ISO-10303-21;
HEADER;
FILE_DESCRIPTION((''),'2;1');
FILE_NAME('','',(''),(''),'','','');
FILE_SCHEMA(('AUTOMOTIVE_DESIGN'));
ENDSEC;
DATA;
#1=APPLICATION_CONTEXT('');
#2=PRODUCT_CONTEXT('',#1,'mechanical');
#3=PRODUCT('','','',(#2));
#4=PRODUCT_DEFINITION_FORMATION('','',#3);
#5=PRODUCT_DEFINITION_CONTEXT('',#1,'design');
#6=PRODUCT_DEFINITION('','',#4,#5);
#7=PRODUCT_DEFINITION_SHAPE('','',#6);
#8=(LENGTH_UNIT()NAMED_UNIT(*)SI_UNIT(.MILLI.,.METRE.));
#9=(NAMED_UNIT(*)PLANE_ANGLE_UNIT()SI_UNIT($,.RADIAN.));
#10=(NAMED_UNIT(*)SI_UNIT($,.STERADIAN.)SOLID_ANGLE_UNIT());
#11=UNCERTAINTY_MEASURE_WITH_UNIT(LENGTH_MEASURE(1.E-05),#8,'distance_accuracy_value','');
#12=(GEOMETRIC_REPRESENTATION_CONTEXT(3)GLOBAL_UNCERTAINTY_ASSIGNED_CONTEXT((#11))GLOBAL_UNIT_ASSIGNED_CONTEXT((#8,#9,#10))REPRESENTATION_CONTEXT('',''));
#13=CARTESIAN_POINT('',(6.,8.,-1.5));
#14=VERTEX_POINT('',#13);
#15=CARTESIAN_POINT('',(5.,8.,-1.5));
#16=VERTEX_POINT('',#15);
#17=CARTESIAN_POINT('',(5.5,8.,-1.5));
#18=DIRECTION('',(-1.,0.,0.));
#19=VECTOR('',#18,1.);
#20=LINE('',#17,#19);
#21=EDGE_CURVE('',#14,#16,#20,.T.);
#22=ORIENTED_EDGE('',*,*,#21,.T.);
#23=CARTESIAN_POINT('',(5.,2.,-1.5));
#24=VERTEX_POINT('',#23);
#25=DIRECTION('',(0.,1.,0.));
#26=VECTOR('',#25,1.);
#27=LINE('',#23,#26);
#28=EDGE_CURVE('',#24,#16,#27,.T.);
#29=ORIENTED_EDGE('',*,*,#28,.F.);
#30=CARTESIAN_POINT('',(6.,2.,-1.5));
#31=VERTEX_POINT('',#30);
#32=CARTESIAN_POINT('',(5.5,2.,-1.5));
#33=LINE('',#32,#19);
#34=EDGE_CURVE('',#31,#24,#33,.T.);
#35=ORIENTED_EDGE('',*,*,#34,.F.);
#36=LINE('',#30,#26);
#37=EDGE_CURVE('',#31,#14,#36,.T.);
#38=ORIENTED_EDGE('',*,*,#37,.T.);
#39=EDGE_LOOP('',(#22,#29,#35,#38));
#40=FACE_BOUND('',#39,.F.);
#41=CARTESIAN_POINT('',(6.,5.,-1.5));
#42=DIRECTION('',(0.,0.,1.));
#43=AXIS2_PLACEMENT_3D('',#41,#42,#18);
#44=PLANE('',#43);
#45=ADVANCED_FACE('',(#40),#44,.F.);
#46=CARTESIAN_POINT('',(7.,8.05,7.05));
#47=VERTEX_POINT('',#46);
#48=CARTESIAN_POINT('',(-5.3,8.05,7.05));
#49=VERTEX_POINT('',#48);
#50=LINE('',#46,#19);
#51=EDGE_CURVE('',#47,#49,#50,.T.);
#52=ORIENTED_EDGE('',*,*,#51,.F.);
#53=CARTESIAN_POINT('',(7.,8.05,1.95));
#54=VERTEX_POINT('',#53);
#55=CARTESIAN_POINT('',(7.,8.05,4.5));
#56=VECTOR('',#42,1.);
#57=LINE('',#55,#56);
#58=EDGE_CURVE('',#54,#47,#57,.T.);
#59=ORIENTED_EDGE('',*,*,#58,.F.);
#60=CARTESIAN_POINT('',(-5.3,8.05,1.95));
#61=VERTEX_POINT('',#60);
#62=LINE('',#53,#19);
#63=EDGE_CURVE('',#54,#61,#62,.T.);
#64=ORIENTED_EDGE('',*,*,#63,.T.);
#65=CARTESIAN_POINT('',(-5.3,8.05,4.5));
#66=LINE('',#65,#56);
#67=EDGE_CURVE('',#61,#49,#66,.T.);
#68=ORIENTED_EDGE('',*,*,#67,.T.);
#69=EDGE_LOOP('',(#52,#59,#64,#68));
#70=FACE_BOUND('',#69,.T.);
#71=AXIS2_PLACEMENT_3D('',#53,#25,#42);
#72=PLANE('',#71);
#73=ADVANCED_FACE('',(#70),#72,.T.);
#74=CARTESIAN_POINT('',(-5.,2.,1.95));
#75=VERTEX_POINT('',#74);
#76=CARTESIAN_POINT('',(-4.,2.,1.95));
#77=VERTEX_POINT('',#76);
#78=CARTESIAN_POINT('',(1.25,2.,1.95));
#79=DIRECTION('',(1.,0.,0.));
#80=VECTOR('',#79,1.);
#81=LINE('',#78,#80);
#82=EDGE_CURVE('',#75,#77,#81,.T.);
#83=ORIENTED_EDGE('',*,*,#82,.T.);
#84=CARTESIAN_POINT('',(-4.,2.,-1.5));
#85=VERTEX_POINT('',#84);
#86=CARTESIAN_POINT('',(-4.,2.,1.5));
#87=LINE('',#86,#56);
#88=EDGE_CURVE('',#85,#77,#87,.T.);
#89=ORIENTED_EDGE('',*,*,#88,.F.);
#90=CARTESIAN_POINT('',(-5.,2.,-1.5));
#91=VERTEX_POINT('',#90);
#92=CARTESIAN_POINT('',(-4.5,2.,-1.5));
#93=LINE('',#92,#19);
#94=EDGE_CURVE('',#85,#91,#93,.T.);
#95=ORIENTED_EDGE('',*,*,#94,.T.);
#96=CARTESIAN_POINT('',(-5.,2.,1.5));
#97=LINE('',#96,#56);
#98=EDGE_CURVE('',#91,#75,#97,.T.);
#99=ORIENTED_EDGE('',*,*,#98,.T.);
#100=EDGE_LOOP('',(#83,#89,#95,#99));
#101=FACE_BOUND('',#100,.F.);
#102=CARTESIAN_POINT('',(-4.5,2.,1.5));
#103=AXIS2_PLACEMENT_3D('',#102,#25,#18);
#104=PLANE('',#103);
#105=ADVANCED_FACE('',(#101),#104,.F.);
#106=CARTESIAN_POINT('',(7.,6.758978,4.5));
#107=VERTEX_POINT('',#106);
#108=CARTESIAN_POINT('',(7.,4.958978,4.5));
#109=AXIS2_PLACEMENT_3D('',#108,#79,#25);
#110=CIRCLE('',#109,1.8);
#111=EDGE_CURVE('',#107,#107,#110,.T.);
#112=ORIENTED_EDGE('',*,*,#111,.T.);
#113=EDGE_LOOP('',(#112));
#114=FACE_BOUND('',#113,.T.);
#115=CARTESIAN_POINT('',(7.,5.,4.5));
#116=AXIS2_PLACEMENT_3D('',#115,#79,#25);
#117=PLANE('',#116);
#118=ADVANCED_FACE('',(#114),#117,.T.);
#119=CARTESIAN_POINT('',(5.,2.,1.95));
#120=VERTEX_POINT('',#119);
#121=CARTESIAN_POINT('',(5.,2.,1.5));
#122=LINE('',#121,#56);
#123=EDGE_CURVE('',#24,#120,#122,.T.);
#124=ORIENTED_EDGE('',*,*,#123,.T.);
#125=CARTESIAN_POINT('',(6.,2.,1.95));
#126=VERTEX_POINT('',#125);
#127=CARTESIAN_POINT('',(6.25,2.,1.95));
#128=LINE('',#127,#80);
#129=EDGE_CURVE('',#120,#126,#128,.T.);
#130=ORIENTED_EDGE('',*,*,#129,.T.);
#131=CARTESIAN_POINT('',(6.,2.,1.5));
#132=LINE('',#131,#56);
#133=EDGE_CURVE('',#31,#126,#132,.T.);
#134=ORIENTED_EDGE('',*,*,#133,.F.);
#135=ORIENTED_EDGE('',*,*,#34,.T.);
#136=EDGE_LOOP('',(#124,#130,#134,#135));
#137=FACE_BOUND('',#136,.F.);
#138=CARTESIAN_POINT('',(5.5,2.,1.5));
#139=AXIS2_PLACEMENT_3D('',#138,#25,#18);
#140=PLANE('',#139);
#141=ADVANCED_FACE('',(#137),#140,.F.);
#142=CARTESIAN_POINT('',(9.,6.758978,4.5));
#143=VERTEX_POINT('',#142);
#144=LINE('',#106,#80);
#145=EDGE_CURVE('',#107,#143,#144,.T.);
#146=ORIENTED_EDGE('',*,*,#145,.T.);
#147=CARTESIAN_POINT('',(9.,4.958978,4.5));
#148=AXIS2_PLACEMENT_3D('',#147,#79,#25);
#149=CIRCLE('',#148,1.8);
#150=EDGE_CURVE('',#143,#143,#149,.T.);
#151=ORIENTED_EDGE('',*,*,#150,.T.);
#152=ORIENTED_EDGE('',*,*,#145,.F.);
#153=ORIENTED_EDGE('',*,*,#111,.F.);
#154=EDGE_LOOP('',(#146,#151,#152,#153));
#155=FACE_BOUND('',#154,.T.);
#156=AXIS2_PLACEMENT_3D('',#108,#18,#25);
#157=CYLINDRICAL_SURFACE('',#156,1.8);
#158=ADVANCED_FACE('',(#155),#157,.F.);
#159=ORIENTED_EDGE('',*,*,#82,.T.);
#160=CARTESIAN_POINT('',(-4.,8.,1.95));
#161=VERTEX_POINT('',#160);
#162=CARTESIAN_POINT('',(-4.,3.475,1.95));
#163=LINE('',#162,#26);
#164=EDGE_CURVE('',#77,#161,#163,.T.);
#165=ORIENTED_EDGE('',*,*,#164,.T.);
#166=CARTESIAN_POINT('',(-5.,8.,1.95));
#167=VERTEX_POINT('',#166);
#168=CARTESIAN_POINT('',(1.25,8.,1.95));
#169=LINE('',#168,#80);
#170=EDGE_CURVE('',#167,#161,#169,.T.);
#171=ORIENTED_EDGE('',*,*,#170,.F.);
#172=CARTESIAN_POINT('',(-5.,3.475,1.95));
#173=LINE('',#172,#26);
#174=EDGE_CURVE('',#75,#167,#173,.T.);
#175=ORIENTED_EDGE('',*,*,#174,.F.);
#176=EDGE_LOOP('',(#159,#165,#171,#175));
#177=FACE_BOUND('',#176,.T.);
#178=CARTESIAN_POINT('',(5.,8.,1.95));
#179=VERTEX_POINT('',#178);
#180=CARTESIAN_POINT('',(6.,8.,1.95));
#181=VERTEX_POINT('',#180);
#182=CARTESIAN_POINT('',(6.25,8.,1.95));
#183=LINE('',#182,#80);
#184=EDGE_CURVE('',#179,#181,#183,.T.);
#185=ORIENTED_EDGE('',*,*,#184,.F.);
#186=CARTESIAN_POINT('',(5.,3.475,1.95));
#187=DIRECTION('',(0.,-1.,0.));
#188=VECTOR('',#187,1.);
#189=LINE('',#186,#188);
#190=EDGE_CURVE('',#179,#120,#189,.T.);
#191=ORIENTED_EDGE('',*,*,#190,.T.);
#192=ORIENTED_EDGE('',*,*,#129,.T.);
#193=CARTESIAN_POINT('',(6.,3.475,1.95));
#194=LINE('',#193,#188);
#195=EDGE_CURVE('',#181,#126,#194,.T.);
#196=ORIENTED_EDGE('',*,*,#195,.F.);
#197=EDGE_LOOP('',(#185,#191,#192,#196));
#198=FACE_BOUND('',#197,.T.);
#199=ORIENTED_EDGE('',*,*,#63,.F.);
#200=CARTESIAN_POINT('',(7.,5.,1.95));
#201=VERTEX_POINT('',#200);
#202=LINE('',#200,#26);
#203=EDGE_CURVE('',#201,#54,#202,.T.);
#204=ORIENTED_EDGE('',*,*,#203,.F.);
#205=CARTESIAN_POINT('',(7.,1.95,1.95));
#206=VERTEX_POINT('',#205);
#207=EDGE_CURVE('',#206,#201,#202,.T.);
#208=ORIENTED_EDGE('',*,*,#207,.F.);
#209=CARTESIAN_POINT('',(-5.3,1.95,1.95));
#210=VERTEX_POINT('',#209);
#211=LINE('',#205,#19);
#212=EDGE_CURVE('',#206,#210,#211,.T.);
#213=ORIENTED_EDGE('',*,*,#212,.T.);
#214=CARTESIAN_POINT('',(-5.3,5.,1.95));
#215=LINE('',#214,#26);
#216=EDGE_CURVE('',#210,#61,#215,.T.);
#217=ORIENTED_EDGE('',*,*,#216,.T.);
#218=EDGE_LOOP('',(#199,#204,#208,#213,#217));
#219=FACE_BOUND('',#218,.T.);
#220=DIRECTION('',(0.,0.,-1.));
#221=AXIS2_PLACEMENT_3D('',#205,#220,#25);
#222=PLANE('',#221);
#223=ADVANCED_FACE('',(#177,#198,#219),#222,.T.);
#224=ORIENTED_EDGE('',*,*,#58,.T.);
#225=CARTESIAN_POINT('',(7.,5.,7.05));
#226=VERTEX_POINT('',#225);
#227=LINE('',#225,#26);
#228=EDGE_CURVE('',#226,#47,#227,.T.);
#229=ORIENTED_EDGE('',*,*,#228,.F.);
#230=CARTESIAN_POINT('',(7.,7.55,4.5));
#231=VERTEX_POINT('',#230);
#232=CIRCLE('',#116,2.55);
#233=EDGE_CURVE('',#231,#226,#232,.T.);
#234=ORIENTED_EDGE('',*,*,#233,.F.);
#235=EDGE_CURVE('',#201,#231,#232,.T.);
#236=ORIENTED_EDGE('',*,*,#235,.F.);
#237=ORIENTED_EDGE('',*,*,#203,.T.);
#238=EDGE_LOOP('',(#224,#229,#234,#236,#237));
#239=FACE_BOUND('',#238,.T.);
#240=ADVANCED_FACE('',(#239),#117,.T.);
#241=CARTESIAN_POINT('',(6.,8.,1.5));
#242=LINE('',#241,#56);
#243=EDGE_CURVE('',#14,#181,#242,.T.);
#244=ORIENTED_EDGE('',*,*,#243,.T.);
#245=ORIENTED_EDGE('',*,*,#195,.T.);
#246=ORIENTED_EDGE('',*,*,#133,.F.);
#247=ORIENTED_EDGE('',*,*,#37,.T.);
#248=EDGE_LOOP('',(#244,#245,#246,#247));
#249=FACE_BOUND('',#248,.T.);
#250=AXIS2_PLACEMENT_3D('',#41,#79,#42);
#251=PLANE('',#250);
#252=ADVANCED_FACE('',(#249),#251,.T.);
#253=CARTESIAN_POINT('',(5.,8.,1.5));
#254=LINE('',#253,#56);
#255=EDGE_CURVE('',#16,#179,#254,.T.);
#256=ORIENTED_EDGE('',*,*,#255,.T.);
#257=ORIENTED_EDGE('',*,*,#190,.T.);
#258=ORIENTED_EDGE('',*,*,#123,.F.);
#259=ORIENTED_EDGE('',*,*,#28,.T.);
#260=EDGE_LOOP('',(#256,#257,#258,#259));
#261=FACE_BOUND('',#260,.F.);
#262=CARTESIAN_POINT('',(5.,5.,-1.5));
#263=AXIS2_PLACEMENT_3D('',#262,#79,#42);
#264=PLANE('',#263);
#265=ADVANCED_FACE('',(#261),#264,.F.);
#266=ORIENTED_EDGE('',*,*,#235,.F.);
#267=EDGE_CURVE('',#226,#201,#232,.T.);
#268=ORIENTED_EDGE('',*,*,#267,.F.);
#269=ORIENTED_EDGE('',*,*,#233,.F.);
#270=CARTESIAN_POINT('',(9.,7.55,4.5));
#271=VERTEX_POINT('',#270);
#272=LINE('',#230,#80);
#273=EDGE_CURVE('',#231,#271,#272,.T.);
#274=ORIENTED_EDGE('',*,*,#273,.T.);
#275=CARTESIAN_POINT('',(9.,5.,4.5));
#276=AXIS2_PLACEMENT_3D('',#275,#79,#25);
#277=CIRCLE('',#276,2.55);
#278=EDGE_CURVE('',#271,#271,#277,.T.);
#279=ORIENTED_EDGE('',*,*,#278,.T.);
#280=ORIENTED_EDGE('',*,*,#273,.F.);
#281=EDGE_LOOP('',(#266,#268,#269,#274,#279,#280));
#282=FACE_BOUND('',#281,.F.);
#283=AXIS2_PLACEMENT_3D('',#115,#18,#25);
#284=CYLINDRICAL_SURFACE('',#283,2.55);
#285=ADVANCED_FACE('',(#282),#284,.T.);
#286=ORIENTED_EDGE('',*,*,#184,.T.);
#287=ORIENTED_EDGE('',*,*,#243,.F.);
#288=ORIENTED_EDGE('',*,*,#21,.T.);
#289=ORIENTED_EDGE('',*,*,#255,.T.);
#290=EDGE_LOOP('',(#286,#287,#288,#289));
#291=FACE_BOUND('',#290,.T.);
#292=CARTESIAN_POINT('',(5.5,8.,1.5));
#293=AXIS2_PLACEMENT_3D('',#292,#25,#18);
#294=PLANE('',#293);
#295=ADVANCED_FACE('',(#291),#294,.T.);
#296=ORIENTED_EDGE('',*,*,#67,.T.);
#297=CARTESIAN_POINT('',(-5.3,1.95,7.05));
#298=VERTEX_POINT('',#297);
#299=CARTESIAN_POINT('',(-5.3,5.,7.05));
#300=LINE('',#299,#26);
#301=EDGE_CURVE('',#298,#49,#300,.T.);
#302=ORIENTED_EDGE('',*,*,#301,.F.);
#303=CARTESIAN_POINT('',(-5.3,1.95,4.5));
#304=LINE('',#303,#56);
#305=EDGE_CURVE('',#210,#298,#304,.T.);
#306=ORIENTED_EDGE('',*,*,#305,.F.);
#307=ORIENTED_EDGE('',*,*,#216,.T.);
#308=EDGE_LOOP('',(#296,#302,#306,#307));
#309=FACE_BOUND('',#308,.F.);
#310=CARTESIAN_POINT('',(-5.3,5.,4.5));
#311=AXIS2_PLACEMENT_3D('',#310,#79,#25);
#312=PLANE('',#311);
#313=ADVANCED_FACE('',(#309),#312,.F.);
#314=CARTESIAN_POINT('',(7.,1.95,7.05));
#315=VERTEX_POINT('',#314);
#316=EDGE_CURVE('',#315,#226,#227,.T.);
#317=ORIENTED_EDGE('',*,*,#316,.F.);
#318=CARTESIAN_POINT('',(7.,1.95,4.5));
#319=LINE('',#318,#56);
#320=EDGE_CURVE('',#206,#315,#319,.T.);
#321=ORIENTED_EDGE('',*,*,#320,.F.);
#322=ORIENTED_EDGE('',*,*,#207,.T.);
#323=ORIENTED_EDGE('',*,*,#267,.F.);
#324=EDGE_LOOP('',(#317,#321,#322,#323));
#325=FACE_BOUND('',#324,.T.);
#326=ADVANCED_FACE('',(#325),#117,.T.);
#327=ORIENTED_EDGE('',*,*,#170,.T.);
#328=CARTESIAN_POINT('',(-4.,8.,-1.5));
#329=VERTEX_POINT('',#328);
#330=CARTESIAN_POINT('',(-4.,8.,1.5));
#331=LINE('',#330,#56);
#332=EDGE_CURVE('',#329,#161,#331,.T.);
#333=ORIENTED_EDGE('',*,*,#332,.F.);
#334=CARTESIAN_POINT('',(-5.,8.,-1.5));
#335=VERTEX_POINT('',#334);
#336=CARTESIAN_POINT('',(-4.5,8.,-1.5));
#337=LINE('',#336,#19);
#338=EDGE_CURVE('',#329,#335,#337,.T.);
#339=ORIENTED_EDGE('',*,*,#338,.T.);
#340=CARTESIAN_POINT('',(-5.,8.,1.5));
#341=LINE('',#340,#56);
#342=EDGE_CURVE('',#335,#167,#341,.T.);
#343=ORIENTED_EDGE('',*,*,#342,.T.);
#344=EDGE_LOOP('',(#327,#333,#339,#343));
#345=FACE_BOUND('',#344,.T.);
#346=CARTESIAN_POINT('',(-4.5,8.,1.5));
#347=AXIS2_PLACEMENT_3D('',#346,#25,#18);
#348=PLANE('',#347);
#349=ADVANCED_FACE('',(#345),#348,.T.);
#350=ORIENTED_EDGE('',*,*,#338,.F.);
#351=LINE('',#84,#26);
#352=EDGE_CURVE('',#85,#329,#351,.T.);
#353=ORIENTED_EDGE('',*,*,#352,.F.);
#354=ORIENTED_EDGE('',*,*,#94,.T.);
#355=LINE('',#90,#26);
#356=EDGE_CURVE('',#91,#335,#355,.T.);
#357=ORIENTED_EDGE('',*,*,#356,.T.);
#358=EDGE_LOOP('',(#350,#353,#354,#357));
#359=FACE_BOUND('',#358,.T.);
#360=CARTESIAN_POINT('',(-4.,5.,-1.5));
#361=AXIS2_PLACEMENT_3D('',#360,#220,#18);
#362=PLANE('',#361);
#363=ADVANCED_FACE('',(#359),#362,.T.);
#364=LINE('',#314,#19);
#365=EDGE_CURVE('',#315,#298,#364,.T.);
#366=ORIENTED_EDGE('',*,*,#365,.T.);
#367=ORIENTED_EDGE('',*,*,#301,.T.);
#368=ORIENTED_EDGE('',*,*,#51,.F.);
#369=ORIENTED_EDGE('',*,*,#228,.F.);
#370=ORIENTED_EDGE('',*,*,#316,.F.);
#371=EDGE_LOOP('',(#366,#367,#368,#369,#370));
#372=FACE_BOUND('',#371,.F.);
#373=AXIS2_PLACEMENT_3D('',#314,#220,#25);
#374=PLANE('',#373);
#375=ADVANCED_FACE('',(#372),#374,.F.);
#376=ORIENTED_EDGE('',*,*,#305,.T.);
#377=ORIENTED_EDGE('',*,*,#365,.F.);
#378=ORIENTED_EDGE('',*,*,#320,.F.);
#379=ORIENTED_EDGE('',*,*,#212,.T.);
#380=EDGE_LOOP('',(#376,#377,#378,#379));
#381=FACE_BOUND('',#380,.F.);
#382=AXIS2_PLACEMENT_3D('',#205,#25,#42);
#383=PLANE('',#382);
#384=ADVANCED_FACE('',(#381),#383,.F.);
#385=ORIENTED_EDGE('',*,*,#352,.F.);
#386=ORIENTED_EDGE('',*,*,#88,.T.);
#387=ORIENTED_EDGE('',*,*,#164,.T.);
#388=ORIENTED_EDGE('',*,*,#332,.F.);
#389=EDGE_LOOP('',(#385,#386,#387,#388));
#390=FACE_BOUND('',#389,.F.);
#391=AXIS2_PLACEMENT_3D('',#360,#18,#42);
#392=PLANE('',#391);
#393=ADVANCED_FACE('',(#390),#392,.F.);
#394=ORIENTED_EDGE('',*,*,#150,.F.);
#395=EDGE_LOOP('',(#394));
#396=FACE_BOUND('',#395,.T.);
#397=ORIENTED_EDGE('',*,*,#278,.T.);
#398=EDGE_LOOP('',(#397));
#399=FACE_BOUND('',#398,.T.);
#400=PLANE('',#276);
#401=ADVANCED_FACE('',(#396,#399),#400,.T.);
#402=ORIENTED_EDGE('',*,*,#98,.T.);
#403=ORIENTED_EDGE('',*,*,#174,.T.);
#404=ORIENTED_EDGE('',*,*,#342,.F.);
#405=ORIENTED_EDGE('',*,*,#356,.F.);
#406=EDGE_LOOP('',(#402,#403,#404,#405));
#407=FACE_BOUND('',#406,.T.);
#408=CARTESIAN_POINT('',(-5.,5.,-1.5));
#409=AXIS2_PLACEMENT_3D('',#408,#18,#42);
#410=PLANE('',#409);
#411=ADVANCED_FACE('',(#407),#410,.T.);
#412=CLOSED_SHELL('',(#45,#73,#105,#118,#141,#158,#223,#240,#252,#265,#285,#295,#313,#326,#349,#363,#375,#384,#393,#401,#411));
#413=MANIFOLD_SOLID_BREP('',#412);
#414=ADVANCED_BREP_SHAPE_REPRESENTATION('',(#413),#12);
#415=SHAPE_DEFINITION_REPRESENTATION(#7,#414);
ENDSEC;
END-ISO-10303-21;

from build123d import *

# Parameters (mm, degrees)
SKETCH005_W             = 6.1
SKETCH005_H             = 5.1
PAD005_DEPTH            = 12.3
SKETCH006_R             = 2.55
SKETCH006_R_2           = 1.8
PAD006_DEPTH            = 2
SKETCH007_W             = 1
SKETCH007_H             = 6
PAD007_DEPTH            = 3
BODY002_PLACEMENT_ANGLE = 90


with BuildPart() as part:
    # Sketch005 → Pad005 (new body)
    with BuildSketch(Plane.XZ):
        Rectangle(SKETCH005_W, SKETCH005_H)
    extrude(amount=-PAD005_DEPTH)

    # Sketch006 → Pad006 (join)
    with BuildSketch(Plane.XZ):
        Circle(SKETCH006_R)
        with Locations((-0.041022, 0)):
            Circle(SKETCH006_R_2, mode=Mode.SUBTRACT)
    extrude(amount=PAD006_DEPTH)

    # Sketch007 → Pad007 (join, symmetric)
    with BuildSketch(Plane.YZ):
        with Locations((1.5, -3)):
            Rectangle(SKETCH007_W, SKETCH007_H)
        with Locations((11.5, -3)):
            Rectangle(SKETCH007_W, SKETCH007_H)
    extrude(amount=PAD007_DEPTH, both=True)


with BuildPart() as part_1:
    # Body002 placement: moved
    add(part.part.moved(Location((7, 5, 4.5))).rotate(Axis((7, 5, 4.5), (0, 0, 1)), BODY002_PLACEMENT_ANGLE))


solid = part_1.part
